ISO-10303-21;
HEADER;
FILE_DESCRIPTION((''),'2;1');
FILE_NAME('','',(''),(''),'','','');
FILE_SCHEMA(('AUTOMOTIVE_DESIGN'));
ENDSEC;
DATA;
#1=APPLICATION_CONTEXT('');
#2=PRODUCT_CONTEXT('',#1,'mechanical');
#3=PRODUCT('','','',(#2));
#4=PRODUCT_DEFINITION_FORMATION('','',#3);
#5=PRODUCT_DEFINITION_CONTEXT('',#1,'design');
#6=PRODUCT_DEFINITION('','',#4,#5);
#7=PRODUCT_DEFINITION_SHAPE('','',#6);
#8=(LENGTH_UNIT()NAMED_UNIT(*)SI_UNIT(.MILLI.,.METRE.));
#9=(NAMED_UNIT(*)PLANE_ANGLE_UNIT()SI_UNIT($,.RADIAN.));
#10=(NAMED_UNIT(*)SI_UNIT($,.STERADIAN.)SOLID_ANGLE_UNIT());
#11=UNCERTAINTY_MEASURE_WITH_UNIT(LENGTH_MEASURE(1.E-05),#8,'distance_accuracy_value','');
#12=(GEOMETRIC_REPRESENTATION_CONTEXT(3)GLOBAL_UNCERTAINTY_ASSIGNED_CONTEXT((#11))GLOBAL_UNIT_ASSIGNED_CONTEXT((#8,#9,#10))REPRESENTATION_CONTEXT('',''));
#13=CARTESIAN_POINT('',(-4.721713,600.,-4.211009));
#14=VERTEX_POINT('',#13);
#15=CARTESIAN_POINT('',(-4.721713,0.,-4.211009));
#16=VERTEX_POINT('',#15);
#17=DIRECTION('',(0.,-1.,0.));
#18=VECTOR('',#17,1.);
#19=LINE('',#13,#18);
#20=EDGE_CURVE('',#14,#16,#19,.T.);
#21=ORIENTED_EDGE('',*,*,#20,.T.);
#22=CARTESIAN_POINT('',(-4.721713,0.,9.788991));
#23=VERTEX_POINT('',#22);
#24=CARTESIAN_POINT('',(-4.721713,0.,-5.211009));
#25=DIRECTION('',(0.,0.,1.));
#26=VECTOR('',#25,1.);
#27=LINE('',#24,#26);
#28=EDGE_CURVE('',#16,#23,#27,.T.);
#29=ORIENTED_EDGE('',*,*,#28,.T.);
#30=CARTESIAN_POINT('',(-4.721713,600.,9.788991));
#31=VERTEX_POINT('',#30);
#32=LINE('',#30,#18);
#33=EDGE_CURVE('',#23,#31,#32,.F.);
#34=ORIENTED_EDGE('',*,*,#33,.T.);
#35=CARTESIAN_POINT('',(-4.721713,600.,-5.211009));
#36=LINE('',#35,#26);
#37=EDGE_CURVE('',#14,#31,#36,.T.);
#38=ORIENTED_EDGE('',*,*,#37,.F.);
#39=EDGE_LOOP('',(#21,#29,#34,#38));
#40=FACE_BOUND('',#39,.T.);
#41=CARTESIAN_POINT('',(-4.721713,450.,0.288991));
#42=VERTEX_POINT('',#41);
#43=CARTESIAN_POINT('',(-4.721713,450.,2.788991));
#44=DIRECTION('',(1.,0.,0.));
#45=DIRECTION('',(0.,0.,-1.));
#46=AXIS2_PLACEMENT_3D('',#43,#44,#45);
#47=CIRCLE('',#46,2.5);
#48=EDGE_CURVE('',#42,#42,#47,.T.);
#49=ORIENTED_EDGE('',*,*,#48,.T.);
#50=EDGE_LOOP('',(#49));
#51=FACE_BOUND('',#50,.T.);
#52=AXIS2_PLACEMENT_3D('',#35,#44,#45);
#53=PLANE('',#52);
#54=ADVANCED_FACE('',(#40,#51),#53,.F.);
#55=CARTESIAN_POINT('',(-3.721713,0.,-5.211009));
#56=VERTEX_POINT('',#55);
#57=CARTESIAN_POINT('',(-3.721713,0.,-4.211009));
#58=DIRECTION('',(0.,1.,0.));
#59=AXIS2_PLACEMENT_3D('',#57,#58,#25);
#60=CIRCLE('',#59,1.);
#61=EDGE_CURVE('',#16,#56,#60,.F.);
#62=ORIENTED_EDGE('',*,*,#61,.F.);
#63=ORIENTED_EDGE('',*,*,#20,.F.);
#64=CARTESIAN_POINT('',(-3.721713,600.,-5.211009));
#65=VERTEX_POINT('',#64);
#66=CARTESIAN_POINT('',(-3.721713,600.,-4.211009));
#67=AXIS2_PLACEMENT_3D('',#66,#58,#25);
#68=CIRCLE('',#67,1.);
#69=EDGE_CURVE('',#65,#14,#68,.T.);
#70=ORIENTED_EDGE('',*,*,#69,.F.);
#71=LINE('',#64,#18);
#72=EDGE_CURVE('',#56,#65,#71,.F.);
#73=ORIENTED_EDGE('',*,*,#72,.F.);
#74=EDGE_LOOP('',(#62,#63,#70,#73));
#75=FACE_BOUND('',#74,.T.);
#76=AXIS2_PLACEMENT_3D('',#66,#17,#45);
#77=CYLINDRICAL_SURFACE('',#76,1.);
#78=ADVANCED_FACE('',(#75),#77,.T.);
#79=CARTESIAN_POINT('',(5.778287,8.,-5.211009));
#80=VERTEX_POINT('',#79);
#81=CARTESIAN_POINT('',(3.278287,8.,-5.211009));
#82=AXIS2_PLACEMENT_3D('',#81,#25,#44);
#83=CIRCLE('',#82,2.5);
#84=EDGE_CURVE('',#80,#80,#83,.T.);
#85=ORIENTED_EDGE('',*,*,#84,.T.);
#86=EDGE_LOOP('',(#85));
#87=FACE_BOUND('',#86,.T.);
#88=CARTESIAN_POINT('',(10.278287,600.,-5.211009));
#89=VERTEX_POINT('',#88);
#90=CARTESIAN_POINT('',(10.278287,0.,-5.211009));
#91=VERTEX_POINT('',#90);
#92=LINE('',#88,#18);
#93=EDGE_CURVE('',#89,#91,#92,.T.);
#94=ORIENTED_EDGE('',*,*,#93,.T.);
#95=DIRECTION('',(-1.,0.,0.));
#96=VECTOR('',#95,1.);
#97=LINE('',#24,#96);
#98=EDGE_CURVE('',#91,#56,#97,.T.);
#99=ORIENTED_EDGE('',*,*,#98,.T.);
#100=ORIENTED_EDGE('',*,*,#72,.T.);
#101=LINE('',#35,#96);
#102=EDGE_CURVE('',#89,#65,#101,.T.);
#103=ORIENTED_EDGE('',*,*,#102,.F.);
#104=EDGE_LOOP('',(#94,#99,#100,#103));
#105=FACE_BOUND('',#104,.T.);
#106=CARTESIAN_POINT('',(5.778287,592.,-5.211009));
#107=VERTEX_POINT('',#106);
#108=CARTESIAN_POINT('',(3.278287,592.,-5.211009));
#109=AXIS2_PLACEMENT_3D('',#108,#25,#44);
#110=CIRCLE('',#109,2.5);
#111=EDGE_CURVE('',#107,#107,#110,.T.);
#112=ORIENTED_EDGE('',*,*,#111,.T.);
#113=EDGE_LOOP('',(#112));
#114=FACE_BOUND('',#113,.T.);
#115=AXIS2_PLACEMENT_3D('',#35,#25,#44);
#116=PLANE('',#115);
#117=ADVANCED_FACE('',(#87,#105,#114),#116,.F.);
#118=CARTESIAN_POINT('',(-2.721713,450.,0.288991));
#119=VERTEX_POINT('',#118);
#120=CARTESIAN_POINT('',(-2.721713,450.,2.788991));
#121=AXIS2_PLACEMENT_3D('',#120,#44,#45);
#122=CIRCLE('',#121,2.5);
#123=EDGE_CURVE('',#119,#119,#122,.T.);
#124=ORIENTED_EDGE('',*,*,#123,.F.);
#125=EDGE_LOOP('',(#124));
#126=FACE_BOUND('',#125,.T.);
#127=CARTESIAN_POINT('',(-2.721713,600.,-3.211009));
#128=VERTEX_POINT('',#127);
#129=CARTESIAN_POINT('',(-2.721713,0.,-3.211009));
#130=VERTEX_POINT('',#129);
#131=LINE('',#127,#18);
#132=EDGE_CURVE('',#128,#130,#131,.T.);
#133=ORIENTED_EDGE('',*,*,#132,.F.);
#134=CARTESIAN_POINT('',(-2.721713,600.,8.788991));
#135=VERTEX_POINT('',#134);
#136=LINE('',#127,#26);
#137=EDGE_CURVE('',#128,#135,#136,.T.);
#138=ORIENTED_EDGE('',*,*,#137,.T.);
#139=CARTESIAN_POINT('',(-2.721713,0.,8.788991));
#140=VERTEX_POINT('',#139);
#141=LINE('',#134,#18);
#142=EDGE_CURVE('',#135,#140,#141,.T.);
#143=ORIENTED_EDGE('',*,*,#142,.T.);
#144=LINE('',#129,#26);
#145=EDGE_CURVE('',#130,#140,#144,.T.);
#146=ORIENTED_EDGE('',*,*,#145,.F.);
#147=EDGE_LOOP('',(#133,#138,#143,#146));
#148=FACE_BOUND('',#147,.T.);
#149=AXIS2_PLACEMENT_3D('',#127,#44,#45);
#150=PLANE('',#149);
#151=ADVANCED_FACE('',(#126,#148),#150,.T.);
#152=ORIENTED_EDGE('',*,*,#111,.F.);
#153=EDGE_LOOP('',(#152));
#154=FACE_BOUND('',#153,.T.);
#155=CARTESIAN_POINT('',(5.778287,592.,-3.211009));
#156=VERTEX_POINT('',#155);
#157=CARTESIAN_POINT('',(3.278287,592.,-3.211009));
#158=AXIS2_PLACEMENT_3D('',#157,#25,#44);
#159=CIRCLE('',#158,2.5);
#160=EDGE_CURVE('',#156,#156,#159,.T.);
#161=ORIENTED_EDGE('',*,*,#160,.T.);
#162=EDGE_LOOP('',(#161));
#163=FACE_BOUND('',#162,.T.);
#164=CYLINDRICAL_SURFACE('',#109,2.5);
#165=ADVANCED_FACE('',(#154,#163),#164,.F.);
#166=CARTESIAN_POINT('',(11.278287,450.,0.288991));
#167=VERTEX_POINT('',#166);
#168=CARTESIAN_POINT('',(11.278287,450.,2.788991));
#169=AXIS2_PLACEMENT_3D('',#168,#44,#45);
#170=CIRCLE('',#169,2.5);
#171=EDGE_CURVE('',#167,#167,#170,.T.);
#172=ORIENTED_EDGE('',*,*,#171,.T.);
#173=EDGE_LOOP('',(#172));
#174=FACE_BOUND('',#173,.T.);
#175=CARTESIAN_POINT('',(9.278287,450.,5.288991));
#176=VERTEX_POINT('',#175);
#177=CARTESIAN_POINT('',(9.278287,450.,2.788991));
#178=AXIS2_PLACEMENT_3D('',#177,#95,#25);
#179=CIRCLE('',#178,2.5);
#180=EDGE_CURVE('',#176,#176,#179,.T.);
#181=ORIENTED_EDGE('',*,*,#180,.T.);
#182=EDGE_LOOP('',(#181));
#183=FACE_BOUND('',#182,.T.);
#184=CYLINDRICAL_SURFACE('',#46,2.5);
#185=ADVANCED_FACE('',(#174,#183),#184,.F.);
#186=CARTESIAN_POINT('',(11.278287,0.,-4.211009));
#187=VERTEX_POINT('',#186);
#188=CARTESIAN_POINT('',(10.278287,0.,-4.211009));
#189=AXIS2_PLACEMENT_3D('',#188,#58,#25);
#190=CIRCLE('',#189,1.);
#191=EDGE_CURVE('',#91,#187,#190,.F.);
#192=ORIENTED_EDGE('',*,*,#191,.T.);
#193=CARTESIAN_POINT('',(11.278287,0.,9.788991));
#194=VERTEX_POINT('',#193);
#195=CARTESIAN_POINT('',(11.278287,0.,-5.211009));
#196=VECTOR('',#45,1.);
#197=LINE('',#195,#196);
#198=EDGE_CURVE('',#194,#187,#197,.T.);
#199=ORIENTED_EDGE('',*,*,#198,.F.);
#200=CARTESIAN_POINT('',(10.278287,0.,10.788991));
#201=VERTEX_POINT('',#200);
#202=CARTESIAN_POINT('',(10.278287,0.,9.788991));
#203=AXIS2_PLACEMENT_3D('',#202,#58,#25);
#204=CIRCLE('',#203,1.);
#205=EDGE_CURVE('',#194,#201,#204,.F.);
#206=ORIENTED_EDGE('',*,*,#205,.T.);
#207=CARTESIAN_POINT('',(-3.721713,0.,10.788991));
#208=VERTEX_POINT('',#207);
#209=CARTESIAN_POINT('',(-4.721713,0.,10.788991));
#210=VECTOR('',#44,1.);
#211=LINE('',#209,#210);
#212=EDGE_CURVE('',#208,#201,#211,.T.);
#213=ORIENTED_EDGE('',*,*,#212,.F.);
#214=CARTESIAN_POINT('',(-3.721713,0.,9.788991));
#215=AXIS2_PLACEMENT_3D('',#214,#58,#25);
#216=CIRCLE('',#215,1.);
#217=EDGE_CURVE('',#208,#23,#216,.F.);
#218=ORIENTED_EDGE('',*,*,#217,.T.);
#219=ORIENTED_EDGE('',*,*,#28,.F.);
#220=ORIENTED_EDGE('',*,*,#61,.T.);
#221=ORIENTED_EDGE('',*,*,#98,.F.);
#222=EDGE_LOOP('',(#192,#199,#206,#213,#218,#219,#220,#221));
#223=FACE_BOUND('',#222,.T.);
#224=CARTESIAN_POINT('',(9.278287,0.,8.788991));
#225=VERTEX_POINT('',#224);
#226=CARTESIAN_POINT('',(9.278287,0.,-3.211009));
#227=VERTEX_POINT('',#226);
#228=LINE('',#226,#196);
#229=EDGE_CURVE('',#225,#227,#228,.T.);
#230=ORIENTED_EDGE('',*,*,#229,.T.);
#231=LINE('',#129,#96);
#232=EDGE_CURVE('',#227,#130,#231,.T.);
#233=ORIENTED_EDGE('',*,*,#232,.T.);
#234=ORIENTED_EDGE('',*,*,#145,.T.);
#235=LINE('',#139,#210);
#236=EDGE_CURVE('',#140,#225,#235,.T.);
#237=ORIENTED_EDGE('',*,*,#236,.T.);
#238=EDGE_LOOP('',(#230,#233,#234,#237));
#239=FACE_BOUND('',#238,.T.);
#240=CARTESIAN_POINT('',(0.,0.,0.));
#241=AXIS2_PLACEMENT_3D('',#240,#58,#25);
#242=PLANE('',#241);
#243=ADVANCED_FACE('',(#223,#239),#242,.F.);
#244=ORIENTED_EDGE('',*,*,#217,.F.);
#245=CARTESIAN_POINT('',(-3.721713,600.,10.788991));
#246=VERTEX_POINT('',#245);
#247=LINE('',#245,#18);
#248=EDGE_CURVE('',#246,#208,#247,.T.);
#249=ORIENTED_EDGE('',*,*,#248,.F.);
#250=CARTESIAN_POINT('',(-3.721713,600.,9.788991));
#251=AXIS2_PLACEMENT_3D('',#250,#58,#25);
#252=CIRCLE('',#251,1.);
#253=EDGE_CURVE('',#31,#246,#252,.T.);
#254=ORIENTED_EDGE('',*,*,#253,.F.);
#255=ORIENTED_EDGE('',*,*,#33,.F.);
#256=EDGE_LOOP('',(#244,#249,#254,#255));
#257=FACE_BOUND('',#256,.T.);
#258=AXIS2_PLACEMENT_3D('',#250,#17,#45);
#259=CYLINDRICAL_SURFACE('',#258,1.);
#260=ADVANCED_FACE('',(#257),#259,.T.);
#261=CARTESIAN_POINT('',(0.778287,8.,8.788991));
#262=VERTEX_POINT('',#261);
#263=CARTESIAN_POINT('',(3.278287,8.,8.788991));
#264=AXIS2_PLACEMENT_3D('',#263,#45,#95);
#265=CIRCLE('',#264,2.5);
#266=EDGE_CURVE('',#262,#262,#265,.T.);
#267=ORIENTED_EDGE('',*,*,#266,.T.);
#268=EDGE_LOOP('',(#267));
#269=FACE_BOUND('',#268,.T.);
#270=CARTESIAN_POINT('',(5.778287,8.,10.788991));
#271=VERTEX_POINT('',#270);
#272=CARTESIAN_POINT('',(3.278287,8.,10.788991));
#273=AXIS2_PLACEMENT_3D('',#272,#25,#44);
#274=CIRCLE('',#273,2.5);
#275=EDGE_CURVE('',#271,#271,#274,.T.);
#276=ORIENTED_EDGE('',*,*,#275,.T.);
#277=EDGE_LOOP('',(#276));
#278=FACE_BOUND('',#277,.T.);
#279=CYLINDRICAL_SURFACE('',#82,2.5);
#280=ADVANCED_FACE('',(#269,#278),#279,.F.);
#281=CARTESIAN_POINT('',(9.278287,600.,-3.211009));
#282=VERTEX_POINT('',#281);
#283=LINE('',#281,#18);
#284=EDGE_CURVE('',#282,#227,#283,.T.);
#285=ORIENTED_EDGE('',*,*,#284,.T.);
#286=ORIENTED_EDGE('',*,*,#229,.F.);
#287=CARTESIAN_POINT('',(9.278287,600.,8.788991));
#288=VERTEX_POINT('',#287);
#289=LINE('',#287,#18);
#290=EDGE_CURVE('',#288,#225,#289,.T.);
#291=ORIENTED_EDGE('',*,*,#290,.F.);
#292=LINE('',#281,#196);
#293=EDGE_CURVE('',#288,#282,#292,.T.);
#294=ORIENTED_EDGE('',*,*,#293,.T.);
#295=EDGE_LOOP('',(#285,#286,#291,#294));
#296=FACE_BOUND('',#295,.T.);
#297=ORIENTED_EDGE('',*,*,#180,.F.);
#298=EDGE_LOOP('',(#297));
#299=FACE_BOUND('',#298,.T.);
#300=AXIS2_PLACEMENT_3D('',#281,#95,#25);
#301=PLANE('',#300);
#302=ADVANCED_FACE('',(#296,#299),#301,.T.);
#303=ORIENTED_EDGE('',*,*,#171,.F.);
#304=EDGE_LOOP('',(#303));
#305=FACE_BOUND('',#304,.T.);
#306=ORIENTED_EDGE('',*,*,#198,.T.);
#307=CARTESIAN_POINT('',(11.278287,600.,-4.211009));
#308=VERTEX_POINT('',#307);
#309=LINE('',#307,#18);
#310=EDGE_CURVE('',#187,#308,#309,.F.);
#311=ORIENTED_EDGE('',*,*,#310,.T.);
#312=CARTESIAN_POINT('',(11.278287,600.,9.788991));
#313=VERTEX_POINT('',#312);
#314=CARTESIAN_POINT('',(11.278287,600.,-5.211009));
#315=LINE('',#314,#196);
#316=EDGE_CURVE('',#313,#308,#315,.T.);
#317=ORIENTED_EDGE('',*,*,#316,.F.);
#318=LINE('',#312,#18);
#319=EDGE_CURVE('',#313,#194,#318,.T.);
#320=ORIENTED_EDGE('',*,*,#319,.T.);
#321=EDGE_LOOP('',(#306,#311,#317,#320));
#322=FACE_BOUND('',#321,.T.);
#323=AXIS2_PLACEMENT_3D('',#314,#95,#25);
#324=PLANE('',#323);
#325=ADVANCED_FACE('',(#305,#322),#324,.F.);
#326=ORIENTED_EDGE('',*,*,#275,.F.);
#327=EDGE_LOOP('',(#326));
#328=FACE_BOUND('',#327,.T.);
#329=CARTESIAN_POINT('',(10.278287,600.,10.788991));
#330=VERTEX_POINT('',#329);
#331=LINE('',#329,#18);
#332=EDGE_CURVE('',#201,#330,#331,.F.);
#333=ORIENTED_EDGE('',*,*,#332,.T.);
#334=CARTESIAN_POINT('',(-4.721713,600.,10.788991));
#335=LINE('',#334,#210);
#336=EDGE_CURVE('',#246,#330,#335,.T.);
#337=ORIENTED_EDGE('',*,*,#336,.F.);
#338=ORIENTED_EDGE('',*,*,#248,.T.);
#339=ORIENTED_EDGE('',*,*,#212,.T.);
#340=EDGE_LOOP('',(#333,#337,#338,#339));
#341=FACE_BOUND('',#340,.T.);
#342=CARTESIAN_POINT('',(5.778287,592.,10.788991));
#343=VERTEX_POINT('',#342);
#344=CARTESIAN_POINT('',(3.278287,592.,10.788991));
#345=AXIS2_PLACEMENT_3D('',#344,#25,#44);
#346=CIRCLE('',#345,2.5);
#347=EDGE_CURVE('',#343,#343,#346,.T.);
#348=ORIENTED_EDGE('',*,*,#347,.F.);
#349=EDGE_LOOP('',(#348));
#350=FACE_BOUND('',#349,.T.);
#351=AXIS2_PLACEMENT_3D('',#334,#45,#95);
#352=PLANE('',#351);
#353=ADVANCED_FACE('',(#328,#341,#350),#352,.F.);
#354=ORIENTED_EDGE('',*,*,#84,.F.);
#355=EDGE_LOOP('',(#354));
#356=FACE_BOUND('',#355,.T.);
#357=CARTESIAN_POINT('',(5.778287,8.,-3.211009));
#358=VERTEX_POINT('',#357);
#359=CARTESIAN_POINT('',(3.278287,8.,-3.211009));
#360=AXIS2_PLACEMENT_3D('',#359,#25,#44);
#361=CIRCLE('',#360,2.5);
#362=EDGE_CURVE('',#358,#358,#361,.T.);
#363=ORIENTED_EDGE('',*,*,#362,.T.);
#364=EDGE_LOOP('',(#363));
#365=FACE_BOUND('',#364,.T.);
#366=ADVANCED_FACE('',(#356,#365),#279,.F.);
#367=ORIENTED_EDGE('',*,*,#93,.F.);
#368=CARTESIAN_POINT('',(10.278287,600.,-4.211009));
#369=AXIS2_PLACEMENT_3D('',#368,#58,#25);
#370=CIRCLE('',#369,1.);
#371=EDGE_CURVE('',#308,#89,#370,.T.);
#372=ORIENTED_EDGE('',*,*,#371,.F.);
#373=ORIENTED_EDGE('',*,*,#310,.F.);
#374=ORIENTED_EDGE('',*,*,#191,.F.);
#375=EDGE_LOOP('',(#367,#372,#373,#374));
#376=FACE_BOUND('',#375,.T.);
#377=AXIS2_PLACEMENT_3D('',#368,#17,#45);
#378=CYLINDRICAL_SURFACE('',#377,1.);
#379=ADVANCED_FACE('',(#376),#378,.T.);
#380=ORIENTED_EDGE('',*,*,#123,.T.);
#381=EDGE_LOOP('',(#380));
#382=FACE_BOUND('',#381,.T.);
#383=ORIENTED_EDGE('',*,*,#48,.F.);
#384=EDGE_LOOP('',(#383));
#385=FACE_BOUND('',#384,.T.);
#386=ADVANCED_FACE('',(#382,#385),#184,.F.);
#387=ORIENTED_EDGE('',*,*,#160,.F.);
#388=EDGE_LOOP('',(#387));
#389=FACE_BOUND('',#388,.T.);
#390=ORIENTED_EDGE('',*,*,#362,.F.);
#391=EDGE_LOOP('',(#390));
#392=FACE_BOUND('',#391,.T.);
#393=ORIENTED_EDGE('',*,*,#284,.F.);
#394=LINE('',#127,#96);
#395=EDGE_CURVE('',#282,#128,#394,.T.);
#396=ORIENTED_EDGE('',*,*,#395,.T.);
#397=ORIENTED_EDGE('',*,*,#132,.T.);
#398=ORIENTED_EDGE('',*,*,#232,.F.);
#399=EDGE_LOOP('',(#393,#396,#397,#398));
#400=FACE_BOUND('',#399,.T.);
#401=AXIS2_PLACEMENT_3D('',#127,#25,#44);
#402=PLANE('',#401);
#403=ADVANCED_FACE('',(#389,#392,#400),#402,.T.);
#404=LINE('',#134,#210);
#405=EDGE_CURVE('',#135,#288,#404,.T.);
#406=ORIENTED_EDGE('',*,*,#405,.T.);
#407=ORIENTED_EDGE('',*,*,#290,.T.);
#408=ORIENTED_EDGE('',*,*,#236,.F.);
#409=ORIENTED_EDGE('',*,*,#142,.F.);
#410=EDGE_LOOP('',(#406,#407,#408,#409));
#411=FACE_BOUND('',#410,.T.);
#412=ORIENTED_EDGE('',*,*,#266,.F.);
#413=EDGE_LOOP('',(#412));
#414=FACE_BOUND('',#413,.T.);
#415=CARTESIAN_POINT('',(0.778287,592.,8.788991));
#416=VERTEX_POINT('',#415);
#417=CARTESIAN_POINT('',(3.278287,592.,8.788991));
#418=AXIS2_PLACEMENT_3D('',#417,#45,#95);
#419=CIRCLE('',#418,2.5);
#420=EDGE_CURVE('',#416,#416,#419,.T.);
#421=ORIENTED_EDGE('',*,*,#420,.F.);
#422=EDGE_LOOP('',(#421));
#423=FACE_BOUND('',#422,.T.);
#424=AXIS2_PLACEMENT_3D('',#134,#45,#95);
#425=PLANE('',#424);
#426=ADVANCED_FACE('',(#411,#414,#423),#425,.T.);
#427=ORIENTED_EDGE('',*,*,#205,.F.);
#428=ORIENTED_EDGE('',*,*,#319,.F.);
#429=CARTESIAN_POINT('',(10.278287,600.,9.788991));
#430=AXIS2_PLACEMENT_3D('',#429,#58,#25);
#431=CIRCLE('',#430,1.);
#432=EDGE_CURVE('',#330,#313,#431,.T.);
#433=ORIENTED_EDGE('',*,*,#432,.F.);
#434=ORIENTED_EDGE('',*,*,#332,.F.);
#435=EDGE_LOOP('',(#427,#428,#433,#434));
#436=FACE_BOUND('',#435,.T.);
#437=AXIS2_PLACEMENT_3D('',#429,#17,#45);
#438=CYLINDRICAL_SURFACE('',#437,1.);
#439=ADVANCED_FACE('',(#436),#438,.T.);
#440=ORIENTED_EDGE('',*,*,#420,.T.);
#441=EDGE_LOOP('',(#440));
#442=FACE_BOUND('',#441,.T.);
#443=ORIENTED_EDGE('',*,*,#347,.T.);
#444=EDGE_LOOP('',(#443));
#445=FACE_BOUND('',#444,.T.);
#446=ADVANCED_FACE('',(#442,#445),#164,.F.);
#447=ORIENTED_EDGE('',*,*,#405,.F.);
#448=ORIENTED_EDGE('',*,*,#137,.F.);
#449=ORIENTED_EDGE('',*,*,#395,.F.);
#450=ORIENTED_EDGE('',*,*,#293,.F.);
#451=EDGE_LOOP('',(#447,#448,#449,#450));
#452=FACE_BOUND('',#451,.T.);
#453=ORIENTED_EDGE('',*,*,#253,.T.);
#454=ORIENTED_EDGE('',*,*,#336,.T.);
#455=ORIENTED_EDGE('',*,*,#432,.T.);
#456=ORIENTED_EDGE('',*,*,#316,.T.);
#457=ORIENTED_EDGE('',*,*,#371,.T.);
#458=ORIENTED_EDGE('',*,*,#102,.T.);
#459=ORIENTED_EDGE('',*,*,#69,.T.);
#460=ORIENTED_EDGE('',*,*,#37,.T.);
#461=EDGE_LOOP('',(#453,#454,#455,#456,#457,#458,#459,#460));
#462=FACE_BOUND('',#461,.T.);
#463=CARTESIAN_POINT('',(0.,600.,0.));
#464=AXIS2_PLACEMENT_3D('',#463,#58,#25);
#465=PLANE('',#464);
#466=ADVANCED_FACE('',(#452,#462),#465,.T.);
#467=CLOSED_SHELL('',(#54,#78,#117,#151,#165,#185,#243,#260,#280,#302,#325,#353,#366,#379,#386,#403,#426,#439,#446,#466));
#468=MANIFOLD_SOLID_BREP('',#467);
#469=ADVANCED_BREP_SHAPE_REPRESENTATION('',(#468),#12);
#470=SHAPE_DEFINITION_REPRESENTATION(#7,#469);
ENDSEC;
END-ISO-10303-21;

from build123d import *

# Parameters (mm, degrees)
SKETCH1_W           = 16
SKETCH1_H           = 16
SKETCH1_W_2         = 12
SKETCH1_H_2         = 12
BOSS_EXTRUDE1_DEPTH = 600
FILLET1_R           = 1
SKETCH2_R           = 2.5
CUT_EXTRUDE1_DEPTH  = 16
SKETCH3_R           = 2.5
CUT_EXTRUDE2_DEPTH  = 16


with BuildPart() as part:
    # Sketch1 → Boss-Extrude1 (new body)
    with BuildSketch(Plane(origin=(0, 0, 0), x_dir=(1, 0, 0), z_dir=(0, 1, 0))):
        with Locations((3.278287462, -2.788990826)):
            Rectangle(SKETCH1_W, SKETCH1_H)
        with Locations((3.278287462, -2.788990826)):
            Rectangle(SKETCH1_W_2, SKETCH1_H_2, mode=Mode.SUBTRACT)
    extrude(amount=BOSS_EXTRUDE1_DEPTH)

    # Fillet1
    fillet1_edges = [part.edges().sort_by_distance(p)[0] for p in [
        (-4.721712538, 300, -5.211009174),
        (11.278287462, 300, -5.211009174),
        (11.278287462, 300, 10.788990826),
        (-4.721712538, 300, 10.788990826),
    ]]
    fillet(fillet1_edges, radius=FILLET1_R)

    # Sketch2 → Cut-Extrude1 (cut)
    with BuildSketch(Plane.XY.offset(10.788990826)):
        with Locations((3.278287462, 592)):
            Circle(SKETCH2_R)
        with Locations((3.278287462, 8)):
            Circle(SKETCH2_R)
    extrude(amount=-CUT_EXTRUDE1_DEPTH, mode=Mode.SUBTRACT)

    # Sketch3 → Cut-Extrude2 (cut)
    with BuildSketch(Plane(origin=(11.278287462, 0, 0), x_dir=(0, 0, -1), z_dir=(1, 0, 0))):
        with Locations((-2.788990826, 450)):
            Circle(SKETCH3_R)
    extrude(amount=-CUT_EXTRUDE2_DEPTH, mode=Mode.SUBTRACT)


solid = part.part
